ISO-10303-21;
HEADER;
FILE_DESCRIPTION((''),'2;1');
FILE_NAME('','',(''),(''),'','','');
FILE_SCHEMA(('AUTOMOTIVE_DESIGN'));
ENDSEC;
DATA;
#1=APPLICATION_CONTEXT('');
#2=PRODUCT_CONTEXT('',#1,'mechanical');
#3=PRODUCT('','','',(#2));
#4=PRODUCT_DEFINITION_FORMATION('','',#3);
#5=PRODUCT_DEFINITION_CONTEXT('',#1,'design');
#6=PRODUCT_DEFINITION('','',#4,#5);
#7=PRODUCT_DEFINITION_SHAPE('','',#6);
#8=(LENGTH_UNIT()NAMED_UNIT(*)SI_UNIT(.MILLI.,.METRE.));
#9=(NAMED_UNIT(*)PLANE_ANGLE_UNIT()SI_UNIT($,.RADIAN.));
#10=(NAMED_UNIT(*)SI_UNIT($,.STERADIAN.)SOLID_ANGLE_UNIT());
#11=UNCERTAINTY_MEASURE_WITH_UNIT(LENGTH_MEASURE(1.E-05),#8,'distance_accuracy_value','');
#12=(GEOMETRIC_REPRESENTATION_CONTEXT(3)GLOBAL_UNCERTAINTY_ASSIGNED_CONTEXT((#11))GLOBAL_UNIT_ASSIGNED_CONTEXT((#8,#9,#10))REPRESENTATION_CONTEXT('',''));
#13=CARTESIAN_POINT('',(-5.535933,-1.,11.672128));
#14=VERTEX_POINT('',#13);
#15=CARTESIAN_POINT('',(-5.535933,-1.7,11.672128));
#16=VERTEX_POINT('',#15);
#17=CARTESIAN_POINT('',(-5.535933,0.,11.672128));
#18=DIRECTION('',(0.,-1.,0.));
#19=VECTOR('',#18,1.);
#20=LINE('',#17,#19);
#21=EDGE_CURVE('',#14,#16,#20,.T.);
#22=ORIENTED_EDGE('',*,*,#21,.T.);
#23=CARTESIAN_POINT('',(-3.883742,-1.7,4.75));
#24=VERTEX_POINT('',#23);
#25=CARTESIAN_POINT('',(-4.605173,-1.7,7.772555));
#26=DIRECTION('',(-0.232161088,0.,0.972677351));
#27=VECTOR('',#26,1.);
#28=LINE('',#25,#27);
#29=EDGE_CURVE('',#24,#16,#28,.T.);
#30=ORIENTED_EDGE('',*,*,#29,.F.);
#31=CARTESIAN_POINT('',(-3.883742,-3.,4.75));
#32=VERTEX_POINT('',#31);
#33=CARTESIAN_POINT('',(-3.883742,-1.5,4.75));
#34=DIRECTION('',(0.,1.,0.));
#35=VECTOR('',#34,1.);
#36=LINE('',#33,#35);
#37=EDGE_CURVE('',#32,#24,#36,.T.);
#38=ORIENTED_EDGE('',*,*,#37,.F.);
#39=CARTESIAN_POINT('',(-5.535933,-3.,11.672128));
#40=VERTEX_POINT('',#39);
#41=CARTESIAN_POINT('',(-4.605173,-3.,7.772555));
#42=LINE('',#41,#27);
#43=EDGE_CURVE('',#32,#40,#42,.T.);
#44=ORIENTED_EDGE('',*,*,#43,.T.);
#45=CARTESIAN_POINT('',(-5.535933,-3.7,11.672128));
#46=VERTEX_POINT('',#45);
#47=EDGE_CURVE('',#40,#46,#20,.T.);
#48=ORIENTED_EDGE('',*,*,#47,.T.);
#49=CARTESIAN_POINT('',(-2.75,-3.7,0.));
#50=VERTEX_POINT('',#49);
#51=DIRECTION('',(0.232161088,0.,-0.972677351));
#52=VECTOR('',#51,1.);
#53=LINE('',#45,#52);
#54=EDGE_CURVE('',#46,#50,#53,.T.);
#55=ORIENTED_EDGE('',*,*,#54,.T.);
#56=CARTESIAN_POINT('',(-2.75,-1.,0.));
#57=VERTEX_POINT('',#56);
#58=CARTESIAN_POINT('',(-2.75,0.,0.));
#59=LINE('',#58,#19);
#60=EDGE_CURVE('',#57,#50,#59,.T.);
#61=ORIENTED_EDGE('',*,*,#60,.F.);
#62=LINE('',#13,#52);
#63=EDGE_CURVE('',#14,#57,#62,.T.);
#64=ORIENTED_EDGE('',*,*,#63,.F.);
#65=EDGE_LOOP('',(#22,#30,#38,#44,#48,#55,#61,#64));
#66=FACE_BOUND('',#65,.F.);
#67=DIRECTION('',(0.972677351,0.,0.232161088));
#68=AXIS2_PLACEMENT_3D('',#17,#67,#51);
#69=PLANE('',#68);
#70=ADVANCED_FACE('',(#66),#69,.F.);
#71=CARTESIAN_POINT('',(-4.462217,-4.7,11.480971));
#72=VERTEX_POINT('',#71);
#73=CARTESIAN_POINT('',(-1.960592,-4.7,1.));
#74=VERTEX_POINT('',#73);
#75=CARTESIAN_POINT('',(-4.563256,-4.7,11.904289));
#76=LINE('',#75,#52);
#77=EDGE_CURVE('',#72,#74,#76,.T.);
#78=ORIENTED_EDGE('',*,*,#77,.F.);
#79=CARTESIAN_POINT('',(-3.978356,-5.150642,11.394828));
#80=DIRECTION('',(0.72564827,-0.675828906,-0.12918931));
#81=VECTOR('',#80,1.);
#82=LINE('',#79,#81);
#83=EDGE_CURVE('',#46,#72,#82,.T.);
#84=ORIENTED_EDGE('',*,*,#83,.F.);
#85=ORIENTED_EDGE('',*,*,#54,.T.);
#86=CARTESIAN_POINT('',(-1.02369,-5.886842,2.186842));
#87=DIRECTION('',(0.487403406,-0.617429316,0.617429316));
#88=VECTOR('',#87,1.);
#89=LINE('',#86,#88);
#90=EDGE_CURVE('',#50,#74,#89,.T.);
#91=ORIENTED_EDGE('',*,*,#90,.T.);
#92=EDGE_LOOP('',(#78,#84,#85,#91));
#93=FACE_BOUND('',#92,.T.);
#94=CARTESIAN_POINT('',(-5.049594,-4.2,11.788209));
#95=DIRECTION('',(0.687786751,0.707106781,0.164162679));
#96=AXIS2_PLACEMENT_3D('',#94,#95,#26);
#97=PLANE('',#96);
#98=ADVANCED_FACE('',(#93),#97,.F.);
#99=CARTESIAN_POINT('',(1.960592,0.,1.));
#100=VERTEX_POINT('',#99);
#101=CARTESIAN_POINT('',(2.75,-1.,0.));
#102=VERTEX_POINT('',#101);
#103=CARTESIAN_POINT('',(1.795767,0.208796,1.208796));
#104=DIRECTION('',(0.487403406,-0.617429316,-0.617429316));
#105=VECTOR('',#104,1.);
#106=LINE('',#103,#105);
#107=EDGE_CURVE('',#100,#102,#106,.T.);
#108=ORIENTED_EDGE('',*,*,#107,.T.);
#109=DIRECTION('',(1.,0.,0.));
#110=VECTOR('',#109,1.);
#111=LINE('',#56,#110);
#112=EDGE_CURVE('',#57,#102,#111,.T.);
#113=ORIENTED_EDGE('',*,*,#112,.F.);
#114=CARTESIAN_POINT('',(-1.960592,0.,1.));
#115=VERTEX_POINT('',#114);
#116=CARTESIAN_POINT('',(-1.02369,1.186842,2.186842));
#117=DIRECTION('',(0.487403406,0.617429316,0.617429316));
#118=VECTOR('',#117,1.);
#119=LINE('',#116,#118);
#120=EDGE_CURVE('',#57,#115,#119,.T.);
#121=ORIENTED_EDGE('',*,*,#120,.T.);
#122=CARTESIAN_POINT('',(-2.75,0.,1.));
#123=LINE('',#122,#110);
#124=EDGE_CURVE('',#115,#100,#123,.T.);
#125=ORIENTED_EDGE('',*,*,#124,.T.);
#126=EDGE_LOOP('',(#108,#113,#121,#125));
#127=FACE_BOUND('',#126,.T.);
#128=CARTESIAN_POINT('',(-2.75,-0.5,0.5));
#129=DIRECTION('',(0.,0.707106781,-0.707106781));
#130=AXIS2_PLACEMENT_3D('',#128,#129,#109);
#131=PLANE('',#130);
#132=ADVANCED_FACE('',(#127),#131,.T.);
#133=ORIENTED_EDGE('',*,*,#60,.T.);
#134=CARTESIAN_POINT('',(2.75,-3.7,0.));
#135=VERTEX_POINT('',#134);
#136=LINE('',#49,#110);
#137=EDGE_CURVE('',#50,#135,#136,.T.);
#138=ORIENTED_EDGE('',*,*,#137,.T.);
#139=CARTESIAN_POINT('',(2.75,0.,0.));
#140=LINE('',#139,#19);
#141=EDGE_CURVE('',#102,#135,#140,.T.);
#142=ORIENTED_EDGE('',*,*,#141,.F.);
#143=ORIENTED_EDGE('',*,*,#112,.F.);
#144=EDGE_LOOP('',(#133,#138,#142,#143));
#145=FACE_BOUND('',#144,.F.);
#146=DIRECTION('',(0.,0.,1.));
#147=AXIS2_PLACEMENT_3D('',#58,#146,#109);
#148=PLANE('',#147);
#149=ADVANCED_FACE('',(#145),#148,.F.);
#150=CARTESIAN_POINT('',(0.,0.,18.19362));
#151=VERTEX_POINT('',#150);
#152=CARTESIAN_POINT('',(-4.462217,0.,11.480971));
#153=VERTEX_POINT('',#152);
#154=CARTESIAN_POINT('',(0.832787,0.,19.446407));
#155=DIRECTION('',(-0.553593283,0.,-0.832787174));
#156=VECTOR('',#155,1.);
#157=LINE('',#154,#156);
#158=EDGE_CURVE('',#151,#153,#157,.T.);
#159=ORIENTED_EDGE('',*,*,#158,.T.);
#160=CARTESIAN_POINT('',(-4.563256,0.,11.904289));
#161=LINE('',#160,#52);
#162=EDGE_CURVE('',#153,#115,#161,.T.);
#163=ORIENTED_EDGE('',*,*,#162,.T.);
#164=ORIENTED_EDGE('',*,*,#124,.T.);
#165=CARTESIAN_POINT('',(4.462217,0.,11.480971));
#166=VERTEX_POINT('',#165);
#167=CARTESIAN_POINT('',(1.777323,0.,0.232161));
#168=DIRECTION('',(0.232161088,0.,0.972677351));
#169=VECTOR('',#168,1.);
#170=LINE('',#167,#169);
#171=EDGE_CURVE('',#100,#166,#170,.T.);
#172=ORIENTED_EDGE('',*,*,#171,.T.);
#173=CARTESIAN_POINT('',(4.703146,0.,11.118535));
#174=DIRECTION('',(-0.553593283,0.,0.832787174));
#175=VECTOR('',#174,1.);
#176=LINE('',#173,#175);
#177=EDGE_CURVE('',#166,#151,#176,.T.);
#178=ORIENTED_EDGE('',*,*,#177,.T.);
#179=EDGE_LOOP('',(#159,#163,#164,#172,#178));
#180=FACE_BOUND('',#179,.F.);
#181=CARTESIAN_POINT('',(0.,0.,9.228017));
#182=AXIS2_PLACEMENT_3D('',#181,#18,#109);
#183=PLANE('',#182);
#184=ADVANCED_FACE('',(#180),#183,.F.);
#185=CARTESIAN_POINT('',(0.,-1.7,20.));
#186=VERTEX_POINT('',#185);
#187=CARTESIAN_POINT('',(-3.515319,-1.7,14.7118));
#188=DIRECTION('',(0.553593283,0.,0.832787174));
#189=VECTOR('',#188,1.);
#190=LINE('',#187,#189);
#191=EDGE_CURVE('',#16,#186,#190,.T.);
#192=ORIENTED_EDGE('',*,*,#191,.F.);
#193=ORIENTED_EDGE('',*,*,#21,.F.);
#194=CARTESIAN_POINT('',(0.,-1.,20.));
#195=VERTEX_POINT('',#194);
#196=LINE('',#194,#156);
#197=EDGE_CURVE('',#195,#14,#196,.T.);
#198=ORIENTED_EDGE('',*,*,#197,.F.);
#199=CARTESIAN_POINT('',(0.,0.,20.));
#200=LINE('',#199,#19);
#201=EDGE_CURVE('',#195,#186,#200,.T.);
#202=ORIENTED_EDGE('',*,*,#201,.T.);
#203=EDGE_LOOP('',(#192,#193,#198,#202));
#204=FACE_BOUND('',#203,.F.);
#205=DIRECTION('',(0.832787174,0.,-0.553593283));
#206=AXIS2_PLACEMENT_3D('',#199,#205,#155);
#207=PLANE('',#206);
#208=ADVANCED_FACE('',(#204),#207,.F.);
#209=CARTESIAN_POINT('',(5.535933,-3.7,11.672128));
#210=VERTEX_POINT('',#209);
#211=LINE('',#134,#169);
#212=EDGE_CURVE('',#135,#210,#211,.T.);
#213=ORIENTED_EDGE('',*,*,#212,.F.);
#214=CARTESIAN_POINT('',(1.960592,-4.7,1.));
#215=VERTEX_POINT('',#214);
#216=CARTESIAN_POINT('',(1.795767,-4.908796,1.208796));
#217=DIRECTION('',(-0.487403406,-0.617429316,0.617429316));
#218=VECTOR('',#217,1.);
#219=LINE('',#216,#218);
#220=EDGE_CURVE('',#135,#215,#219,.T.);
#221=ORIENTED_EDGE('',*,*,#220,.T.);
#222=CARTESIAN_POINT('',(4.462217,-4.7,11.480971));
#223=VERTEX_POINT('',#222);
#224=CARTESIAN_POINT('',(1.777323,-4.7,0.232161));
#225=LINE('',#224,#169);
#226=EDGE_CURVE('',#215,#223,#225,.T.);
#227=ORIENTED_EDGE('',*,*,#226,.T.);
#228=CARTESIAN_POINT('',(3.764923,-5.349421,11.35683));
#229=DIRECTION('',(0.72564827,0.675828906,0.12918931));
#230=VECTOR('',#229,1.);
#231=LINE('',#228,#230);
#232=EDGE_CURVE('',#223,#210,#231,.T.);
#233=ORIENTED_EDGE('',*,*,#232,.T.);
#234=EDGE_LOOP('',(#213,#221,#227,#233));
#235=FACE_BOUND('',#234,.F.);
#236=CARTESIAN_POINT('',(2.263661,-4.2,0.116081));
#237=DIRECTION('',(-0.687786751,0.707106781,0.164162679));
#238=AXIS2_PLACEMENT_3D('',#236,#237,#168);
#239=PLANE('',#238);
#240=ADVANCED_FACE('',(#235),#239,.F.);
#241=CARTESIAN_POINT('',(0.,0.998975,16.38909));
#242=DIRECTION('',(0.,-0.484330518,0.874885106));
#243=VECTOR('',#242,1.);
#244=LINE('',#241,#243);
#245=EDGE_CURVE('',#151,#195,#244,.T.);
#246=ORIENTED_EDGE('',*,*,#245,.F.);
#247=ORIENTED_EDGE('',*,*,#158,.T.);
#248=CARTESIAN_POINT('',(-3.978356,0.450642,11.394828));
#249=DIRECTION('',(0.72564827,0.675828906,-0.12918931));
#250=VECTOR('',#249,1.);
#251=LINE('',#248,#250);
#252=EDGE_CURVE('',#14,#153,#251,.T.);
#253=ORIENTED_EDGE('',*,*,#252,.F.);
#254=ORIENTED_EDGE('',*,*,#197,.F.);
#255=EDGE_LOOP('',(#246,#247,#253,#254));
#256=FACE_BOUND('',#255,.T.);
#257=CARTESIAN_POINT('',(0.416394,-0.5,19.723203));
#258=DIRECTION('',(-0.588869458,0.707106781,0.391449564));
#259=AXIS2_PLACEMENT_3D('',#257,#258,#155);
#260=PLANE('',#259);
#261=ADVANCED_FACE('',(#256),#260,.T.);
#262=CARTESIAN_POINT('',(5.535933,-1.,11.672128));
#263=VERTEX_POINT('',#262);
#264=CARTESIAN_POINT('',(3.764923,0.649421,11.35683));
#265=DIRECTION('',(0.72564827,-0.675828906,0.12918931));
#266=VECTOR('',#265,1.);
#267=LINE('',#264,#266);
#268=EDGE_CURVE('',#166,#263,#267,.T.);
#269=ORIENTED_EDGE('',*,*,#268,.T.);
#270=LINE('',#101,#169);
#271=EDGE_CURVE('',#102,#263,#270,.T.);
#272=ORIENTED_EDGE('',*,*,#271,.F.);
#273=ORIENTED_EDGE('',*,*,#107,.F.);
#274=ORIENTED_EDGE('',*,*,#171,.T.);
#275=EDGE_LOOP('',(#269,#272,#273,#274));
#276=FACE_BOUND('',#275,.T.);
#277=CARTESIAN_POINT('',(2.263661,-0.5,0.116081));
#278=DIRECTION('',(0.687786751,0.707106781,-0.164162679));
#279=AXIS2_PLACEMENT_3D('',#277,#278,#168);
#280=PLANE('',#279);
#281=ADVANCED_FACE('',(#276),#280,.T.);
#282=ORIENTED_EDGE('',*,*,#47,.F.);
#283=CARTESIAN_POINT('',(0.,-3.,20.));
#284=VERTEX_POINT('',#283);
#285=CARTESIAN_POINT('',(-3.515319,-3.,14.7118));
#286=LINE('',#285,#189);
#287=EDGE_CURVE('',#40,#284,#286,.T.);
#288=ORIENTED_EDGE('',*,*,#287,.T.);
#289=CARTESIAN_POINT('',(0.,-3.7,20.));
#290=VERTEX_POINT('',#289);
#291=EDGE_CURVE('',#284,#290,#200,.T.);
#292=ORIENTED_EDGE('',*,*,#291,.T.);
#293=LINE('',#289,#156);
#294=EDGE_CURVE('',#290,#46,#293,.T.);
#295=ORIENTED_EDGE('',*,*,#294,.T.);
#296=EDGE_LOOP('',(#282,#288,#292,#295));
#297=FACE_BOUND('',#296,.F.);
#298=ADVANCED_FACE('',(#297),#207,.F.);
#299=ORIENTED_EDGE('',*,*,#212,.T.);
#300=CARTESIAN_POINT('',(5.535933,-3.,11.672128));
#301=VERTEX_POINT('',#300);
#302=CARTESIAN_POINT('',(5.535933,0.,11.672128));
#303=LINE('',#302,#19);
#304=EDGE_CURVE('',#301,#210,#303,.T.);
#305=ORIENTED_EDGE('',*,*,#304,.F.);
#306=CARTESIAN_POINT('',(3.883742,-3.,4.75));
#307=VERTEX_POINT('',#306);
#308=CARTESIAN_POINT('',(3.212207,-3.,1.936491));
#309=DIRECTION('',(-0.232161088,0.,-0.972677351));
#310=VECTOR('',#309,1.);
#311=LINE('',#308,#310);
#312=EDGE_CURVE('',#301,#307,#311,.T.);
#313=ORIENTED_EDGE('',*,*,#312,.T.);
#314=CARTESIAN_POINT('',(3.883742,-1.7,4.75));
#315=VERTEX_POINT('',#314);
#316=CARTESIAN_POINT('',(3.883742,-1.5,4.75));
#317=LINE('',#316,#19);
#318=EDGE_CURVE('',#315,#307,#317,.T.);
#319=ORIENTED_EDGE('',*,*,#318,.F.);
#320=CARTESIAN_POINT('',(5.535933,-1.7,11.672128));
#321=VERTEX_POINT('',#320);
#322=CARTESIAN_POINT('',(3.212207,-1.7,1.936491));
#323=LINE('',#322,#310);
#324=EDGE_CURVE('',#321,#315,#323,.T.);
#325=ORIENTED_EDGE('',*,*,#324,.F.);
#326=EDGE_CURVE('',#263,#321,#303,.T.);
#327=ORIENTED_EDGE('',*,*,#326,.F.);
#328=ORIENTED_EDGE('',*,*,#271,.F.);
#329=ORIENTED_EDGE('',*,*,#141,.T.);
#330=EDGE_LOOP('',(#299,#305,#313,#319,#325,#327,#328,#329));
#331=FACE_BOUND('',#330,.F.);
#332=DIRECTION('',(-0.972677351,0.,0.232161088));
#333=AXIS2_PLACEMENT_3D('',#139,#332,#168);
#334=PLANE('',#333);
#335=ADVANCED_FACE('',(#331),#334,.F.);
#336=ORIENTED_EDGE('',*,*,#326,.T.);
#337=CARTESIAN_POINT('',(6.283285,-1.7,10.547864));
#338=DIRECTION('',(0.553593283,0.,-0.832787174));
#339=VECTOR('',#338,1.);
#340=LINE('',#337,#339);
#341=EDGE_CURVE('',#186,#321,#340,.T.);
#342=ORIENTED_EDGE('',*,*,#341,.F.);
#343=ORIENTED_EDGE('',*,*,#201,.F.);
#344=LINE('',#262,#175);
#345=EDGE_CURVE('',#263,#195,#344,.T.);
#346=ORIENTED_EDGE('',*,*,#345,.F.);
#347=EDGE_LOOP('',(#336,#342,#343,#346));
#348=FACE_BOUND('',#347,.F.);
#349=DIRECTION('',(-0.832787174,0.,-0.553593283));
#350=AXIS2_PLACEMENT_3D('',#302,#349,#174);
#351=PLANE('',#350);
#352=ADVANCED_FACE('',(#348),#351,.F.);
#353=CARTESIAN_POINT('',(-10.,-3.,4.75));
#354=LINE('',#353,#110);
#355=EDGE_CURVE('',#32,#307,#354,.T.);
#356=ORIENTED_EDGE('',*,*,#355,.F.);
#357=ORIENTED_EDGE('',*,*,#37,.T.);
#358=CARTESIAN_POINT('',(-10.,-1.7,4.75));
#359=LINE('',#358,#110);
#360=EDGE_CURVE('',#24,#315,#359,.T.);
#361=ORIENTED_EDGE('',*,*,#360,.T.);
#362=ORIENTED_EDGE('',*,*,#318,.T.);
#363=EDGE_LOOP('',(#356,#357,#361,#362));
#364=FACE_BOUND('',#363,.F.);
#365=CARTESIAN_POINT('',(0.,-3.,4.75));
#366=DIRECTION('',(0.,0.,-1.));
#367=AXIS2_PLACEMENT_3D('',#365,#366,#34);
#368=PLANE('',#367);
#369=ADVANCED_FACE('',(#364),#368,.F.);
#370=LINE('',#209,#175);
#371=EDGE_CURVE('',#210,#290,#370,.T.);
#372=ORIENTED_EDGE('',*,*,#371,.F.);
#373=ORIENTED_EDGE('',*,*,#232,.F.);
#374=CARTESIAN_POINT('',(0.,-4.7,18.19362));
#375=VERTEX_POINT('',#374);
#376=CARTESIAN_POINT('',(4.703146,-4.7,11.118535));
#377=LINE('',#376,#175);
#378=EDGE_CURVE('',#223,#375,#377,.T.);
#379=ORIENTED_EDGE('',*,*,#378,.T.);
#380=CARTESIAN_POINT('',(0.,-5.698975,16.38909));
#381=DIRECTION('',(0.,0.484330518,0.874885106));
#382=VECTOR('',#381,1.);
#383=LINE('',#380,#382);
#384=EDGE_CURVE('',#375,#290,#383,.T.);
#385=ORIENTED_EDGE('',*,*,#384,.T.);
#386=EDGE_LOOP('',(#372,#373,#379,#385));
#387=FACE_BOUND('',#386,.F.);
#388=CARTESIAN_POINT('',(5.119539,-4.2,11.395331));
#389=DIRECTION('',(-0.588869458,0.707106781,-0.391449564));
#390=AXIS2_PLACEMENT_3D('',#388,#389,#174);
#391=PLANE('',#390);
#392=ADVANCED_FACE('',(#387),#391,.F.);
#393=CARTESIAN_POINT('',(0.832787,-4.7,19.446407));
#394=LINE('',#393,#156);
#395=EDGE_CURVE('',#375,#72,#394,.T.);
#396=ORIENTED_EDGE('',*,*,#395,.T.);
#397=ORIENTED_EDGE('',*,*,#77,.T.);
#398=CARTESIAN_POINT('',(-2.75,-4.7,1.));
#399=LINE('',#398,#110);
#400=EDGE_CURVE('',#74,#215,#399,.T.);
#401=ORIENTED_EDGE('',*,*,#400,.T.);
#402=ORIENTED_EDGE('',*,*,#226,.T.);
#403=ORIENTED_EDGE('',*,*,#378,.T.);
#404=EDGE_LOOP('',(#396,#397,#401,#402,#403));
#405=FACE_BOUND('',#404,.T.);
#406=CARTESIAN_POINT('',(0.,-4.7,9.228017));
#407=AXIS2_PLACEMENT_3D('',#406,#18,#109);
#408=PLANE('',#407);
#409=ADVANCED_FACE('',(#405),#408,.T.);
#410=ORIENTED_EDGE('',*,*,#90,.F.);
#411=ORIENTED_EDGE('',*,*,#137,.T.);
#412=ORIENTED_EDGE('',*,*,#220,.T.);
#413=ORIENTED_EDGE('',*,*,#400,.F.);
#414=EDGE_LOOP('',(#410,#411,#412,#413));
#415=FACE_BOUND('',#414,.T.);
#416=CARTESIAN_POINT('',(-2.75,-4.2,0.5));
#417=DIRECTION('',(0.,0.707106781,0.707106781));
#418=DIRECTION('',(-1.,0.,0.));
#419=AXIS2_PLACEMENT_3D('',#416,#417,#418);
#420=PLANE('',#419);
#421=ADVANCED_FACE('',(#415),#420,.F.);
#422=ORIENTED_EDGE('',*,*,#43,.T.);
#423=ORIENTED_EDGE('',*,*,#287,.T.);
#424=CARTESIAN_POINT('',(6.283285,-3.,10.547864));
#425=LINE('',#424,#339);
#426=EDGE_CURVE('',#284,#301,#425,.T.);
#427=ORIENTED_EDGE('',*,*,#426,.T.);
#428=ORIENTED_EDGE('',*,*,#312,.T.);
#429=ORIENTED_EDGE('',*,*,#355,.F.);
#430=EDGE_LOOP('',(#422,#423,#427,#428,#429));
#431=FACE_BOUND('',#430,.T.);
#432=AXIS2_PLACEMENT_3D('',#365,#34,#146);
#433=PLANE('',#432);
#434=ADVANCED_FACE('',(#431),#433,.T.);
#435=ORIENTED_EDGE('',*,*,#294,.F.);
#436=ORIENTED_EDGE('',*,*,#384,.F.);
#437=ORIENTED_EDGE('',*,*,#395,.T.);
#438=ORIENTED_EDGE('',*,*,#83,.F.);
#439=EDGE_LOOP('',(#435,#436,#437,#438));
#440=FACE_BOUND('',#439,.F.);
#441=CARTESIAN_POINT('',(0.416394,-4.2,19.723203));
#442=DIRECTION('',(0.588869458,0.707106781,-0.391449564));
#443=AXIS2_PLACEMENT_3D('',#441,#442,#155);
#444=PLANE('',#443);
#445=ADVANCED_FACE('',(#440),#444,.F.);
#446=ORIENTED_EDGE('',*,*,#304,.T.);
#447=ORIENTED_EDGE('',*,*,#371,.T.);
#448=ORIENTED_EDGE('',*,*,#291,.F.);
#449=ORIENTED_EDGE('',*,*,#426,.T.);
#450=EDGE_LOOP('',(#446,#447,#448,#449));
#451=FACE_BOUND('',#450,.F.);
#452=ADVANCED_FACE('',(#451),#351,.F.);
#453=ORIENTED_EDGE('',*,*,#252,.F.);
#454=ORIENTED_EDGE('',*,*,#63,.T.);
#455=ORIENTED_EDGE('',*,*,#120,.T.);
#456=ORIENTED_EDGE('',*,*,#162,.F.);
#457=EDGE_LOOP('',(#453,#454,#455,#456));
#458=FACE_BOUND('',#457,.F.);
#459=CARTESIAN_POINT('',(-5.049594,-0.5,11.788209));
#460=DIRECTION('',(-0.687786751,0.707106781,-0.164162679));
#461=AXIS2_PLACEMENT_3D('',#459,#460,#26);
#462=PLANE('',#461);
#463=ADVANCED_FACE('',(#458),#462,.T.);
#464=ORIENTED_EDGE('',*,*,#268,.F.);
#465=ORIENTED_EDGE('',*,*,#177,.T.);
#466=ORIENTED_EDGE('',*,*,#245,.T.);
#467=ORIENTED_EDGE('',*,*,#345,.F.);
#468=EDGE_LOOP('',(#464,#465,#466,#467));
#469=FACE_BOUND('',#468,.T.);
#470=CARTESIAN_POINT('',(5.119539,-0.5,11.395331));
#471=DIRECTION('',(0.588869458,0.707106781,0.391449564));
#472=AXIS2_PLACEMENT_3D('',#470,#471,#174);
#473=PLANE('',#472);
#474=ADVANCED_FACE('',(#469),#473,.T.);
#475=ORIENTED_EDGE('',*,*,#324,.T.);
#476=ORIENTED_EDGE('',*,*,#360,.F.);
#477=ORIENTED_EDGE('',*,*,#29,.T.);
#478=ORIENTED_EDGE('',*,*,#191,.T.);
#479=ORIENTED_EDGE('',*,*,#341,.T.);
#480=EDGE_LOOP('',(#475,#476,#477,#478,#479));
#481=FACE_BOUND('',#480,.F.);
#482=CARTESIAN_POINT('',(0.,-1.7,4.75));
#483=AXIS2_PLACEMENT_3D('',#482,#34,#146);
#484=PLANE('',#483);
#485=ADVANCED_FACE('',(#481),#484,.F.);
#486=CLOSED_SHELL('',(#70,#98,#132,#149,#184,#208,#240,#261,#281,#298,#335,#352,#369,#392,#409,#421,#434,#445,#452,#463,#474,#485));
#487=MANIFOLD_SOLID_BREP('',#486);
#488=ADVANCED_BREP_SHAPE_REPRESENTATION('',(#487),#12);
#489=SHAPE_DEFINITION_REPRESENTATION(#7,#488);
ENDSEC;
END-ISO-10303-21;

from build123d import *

# Parameters (mm, degrees)
F1_DEPTH = 4.7
F2_W     = 1.3
F2_H     = 20
F3_DEPTH = 10
F4_SIZE  = 1


with BuildPart() as f1:
    # F0 (on Front) → F1 (new body)
    with BuildSketch(Plane.XZ):
        Polygon((-5.535933, 11.672128), (-2.75, 0), (2.75, 0), (5.535933, 11.672128), (0, 20), align=None)
    extrude(amount=F1_DEPTH)

    # F2 (on Right) → F3 (cut, symmetric)
    with BuildSketch(Plane.YZ):
        with Locations((-2.35, 14.75)):
            Rectangle(F2_W, F2_H)
    extrude(amount=F3_DEPTH, both=True, mode=Mode.SUBTRACT)

    # F4
    f4_edges = [f1.edges().sort_by_distance(p)[0] for p in [
        (-4.142966, -4.7, 5.836064),
        (0, -4.7, 0),
        (4.142966, -4.7, 5.836064),
        (2.767966, -4.7, 15.836064),
        (-2.767966, -4.7, 15.836064),
        (-4.142966, 0, 5.836064),
        (0, 0, 0),
        (4.142966, 0, 5.836064),
        (2.767966, 0, 15.836064),
        (-2.767966, 0, 15.836064),
    ]]
    chamfer(f4_edges, length=F4_SIZE)


solid = f1.part
